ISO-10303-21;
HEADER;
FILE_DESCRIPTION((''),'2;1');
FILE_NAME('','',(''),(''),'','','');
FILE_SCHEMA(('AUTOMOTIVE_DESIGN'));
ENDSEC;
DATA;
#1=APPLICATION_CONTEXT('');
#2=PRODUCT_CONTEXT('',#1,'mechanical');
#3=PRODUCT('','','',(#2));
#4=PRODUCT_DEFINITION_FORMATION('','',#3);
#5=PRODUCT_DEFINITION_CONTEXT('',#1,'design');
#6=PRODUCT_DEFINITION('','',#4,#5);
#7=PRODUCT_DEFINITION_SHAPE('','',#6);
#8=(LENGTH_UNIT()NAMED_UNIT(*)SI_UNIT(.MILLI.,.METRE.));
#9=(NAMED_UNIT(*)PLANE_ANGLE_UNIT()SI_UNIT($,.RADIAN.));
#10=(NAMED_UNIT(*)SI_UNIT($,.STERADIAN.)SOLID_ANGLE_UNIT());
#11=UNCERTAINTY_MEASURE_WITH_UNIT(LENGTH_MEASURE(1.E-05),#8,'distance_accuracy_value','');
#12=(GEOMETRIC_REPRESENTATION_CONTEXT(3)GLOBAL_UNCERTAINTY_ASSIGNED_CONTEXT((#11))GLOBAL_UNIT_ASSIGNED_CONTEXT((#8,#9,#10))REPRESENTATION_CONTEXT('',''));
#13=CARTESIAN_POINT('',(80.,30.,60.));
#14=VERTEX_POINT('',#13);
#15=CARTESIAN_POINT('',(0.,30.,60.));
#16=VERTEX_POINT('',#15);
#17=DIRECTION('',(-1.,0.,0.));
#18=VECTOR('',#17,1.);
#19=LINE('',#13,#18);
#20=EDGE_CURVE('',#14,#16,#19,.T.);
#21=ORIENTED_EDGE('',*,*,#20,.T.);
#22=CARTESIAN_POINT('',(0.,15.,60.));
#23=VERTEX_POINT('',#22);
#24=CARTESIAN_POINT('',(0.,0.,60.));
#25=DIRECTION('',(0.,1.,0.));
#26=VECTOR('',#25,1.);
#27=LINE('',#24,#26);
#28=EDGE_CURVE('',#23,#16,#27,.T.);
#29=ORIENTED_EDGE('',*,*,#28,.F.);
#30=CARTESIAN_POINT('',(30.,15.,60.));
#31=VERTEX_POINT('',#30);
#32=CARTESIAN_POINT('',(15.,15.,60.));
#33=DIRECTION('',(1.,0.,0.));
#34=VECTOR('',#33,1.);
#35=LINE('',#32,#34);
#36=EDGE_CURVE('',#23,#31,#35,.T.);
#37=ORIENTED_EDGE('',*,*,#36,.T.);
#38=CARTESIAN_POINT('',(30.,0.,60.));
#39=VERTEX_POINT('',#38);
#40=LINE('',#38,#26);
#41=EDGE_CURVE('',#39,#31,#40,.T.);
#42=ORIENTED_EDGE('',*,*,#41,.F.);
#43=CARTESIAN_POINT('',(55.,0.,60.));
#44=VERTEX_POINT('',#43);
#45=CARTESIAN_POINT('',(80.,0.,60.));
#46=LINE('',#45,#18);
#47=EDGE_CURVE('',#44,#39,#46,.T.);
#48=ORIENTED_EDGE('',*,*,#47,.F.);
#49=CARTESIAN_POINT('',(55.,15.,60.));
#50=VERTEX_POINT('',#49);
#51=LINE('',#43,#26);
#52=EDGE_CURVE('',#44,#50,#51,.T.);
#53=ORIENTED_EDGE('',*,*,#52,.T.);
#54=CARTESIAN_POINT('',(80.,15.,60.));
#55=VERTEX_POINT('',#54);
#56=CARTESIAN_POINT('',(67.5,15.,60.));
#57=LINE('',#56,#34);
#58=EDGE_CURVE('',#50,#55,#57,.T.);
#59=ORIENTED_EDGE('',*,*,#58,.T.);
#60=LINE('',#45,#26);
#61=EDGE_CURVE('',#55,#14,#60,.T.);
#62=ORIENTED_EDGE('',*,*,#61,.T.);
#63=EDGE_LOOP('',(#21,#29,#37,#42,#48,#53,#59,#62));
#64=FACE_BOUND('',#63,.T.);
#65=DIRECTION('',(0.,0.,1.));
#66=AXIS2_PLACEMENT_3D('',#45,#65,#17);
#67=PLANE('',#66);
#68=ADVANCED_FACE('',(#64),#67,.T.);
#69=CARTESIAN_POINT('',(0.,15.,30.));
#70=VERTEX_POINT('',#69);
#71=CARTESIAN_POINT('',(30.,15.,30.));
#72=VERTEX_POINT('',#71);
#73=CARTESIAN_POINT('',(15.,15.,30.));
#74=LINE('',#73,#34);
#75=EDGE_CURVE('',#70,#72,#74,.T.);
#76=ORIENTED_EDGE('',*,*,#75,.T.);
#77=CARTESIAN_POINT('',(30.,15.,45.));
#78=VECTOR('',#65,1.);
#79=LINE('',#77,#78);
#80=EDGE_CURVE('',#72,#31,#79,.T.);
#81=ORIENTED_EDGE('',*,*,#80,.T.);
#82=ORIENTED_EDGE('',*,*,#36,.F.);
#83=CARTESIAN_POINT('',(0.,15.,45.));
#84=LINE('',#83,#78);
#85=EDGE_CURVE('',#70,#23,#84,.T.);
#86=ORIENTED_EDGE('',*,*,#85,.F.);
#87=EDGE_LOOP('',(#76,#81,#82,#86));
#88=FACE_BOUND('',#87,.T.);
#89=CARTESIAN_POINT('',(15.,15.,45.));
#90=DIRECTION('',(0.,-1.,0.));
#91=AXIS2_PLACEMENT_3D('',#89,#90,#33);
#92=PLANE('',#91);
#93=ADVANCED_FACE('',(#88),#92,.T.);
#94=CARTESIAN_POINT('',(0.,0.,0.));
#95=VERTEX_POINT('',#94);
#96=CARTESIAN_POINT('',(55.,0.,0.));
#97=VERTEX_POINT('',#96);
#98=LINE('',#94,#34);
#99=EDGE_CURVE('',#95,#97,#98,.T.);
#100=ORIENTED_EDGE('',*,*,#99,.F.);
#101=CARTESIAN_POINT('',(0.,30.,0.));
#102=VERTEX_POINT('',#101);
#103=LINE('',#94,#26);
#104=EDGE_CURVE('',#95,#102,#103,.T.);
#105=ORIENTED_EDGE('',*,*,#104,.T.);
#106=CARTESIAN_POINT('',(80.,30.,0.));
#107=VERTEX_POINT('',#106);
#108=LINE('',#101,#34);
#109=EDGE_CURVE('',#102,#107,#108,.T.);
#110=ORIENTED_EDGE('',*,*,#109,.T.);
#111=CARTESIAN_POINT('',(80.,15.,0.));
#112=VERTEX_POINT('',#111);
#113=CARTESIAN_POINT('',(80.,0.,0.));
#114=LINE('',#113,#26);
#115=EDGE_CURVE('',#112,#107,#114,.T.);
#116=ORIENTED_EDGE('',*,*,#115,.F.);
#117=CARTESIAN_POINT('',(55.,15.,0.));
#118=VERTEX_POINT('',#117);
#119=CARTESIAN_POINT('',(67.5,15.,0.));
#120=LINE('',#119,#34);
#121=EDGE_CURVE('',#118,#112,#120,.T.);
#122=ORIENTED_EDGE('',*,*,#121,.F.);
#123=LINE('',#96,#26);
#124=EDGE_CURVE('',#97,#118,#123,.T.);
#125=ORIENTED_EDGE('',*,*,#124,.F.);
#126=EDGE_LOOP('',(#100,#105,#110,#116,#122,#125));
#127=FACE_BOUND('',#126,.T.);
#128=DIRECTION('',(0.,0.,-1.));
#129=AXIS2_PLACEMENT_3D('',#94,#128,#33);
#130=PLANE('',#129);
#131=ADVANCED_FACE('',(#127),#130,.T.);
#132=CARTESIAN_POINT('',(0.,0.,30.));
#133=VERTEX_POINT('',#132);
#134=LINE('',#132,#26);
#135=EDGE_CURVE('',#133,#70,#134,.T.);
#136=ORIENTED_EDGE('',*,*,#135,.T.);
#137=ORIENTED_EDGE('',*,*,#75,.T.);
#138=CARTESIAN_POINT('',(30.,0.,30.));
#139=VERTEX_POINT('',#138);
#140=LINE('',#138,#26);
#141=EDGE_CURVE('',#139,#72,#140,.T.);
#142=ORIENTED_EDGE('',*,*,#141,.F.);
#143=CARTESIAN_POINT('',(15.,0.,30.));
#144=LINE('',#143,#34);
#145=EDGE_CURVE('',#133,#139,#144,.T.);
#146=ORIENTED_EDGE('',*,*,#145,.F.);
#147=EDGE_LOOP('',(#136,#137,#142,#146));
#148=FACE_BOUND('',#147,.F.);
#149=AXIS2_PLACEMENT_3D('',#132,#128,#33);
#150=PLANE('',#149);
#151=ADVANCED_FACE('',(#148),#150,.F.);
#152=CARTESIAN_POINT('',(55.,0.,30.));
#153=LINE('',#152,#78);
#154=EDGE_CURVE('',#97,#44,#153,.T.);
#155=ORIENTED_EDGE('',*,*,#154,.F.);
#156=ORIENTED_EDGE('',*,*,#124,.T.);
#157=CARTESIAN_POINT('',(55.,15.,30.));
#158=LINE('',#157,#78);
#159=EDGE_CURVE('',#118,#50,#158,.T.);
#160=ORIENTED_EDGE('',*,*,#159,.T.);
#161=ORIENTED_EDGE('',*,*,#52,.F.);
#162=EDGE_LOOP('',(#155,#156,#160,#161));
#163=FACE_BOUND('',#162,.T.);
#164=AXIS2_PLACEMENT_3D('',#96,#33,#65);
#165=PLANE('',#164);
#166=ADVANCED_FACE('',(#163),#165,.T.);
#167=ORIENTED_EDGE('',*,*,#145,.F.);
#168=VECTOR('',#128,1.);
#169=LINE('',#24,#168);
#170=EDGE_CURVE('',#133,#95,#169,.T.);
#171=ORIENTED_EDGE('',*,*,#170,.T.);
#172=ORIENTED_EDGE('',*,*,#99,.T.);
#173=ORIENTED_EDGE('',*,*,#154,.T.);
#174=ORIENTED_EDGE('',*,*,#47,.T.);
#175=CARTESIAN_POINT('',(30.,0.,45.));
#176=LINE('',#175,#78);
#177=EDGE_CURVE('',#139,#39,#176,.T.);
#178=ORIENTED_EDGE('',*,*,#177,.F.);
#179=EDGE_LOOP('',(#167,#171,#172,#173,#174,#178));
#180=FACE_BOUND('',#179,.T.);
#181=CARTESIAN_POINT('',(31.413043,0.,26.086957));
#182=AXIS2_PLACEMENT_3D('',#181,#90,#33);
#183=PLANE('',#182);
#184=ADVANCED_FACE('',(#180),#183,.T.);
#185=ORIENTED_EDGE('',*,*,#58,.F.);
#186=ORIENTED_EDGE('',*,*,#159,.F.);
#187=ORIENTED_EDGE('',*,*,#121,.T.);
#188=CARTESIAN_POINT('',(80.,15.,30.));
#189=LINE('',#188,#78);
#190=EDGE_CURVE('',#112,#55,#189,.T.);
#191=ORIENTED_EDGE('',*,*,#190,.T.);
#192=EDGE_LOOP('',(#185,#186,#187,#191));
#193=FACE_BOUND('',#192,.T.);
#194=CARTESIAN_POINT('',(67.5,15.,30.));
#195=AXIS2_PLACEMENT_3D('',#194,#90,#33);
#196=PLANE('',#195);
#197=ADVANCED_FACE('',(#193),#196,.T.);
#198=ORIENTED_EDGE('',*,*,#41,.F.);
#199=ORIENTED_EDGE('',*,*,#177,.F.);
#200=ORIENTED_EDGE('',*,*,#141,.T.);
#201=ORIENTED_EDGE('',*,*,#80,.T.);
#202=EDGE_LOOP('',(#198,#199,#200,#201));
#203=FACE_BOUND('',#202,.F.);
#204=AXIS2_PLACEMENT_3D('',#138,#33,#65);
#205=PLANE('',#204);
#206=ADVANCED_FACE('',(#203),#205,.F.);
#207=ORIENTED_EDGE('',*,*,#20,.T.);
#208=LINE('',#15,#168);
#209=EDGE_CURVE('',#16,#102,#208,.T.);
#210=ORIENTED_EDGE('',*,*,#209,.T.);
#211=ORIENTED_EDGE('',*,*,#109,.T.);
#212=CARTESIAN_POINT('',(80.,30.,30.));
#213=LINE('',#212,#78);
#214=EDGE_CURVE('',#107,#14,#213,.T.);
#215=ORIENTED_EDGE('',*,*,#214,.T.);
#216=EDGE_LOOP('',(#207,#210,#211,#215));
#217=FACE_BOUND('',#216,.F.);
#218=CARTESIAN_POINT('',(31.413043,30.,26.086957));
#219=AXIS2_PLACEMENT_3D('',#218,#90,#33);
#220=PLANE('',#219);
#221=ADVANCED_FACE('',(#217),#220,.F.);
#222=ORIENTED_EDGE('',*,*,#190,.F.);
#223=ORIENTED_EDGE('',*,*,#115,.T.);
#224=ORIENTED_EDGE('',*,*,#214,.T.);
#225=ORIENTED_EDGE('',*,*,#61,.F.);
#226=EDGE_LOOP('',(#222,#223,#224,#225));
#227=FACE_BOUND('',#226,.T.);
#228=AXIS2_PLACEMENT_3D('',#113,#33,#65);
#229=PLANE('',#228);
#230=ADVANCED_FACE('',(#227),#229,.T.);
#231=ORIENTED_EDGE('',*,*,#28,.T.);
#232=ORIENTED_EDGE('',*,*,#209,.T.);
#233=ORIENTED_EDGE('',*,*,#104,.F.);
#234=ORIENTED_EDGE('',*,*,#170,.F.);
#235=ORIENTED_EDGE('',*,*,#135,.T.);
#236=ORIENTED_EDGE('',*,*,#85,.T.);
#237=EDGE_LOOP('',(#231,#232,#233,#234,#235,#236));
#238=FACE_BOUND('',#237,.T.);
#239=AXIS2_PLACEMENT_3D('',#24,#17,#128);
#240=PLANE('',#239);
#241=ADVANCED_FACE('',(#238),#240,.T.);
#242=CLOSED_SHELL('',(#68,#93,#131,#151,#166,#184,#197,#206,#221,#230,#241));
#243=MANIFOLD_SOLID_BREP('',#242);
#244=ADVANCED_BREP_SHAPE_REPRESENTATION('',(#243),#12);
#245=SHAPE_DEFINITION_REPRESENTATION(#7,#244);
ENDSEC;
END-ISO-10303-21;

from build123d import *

# Parameters (mm, degrees)
F0_W     = 30
F0_H     = 30
F0_W_2   = 25
F0_H_2   = 60
F1_DEPTH = 30
F2_DEPTH = 15


with BuildPart() as f1:
    # F0 (on Front) → F1 (new body)
    with BuildSketch(Plane.XZ):
        Polygon((0, 30), (0, 0), (55, 0), (55, 60), (30, 60), (30, 30), align=None)
        with Locations((15, 45)):
            Rectangle(F0_W, F0_H)
        with Locations((67.5, 30)):
            Rectangle(F0_W_2, F0_H_2)
    extrude(amount=-F1_DEPTH)

    # F0 (on Front) → F2 (cut)
    with BuildSketch(Plane.XZ):
        with Locations((15, 45)):
            Rectangle(F0_W, F0_H)
        with Locations((67.5, 30)):
            Rectangle(F0_W_2, F0_H_2)
    extrude(amount=-F2_DEPTH, mode=Mode.SUBTRACT)


solid = f1.part
